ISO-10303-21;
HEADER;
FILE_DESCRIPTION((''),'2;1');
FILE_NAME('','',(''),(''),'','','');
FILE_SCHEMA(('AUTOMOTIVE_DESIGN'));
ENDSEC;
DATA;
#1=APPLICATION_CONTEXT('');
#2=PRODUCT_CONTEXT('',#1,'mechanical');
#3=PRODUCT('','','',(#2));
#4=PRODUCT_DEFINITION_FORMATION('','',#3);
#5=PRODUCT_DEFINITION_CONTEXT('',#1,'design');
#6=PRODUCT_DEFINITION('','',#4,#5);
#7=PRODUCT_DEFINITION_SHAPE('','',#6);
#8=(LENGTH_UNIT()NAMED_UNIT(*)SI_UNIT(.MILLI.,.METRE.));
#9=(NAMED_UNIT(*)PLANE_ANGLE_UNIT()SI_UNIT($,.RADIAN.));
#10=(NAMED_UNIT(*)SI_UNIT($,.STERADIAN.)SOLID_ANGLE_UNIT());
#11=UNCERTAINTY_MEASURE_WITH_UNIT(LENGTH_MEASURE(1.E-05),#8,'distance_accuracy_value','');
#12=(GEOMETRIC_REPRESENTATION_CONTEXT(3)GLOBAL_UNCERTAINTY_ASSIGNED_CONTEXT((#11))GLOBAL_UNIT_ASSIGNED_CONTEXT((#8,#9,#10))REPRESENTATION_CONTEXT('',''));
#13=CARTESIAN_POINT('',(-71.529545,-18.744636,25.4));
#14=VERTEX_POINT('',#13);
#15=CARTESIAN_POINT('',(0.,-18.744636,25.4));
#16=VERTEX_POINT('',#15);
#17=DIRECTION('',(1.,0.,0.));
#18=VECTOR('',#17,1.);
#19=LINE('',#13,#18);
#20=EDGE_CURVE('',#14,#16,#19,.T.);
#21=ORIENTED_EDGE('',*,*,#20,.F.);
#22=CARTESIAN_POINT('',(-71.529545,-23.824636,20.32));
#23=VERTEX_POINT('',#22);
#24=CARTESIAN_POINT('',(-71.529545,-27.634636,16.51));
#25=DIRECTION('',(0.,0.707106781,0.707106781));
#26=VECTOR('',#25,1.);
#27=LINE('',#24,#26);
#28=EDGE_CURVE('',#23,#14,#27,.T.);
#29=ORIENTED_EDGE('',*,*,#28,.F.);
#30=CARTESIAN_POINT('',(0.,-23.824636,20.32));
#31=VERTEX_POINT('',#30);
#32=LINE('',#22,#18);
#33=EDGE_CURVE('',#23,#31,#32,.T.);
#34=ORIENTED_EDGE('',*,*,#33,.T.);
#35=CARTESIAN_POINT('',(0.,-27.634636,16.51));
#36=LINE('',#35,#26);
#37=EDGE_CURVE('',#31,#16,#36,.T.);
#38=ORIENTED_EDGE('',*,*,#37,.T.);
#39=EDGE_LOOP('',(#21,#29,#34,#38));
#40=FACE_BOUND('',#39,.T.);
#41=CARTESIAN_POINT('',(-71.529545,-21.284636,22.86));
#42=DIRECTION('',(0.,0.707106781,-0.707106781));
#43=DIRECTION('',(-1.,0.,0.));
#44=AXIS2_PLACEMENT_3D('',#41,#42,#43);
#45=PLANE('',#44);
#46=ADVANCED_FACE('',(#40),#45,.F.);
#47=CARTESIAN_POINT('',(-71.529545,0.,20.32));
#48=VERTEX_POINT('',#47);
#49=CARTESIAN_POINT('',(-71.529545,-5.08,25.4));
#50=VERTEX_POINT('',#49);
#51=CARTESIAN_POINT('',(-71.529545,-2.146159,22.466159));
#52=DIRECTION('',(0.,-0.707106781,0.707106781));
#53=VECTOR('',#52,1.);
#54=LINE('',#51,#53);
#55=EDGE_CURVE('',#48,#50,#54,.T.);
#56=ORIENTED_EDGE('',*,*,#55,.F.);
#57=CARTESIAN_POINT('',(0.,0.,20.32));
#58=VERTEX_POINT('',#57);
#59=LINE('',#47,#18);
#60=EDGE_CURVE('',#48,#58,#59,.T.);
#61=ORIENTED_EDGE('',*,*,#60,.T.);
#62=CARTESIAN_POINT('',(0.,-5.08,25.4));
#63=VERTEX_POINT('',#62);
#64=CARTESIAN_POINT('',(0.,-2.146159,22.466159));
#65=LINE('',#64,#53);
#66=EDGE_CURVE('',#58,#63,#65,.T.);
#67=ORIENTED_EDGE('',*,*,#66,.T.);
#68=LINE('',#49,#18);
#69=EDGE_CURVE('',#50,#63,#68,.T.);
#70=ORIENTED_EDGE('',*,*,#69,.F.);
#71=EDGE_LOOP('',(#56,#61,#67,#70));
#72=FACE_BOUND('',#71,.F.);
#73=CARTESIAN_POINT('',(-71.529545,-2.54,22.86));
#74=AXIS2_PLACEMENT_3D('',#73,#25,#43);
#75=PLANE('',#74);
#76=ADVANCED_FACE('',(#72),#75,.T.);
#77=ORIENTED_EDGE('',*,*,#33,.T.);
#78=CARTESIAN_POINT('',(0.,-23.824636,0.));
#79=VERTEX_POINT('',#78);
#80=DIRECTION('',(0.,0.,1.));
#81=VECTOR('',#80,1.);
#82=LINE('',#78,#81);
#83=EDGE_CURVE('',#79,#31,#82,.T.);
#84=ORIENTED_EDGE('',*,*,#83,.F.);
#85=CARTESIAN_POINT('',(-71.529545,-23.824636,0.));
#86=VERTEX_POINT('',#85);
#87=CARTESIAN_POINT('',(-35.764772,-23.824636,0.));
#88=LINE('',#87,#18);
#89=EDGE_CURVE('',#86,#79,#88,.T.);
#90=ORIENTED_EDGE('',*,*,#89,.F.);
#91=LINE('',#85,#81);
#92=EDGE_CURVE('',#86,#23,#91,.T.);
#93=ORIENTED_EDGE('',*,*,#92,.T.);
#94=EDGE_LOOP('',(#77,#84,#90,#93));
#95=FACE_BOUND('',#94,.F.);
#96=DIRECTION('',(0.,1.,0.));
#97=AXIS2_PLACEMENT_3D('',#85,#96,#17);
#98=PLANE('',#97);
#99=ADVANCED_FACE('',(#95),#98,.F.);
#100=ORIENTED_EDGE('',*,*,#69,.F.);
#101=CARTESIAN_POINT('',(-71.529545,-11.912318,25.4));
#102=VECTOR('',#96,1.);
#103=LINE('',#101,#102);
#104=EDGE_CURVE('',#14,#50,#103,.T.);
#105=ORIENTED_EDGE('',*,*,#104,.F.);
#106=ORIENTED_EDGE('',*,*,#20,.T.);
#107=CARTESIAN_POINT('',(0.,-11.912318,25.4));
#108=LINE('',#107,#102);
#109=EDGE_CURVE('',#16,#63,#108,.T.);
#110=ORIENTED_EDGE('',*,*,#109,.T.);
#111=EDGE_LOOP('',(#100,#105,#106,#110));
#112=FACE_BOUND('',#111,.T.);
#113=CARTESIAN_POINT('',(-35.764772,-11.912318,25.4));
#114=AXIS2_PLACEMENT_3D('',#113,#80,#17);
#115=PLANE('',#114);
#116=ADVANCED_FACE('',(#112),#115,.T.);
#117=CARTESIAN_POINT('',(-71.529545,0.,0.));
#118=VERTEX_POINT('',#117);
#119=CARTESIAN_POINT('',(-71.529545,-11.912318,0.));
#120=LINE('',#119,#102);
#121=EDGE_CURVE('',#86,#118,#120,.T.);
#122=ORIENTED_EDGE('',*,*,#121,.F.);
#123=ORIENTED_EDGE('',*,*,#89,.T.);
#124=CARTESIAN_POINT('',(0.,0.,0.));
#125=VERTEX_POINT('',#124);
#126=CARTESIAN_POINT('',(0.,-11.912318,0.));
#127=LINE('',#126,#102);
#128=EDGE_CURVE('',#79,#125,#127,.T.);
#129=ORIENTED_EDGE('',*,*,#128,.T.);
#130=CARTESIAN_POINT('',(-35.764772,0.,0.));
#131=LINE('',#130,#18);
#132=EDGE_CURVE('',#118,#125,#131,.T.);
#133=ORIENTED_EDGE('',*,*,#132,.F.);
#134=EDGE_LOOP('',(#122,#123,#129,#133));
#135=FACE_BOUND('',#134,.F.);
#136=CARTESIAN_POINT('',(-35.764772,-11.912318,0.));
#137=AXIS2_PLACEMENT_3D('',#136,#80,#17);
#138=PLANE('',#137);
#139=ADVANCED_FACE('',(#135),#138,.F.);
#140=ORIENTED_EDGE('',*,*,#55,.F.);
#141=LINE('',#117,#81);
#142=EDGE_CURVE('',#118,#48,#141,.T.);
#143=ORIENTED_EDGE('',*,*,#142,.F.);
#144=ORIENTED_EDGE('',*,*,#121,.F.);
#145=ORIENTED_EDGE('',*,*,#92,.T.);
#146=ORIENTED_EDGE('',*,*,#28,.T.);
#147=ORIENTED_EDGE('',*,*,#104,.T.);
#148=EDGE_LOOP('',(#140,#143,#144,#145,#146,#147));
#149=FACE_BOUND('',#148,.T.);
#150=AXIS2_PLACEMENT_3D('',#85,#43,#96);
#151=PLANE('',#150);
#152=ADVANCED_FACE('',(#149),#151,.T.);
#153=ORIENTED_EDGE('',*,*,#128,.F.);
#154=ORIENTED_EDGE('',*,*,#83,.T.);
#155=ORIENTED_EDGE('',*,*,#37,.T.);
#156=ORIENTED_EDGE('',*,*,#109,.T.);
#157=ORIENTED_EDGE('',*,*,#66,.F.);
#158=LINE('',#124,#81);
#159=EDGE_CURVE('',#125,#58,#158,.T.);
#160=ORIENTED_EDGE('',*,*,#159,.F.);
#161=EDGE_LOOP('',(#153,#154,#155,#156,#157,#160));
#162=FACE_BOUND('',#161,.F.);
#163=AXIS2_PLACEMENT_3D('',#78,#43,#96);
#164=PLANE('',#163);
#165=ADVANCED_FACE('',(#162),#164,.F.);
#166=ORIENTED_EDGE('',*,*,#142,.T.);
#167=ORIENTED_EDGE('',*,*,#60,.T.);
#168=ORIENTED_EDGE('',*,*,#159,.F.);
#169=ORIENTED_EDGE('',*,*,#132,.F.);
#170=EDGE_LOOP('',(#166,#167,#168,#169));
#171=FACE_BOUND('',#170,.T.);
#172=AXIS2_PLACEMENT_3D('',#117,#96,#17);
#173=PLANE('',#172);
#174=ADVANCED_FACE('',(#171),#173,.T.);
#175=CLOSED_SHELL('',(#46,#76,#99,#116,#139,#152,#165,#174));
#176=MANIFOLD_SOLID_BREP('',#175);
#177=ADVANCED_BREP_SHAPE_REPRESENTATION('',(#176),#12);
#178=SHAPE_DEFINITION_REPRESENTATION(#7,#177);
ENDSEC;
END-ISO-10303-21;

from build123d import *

# Parameters (mm, degrees)
F0_W     = 71.529545
F0_H     = 23.824636
F1_DEPTH = 25.4
F2_SIZE  = 5.08


with BuildPart() as f1:
    # F0 (on Top) → F1 (new body)
    with BuildSketch(Plane.XY):
        with Locations((-35.764772, -11.912318)):
            Rectangle(F0_W, F0_H)
    extrude(amount=F1_DEPTH)

    # F2
    f2_edges = [f1.edges().sort_by_distance(p)[0] for p in [
        (-35.764772, -23.824636, 25.4),
        (-35.764772, 0, 25.4),
    ]]
    chamfer(f2_edges, length=F2_SIZE)


solid = f1.part
